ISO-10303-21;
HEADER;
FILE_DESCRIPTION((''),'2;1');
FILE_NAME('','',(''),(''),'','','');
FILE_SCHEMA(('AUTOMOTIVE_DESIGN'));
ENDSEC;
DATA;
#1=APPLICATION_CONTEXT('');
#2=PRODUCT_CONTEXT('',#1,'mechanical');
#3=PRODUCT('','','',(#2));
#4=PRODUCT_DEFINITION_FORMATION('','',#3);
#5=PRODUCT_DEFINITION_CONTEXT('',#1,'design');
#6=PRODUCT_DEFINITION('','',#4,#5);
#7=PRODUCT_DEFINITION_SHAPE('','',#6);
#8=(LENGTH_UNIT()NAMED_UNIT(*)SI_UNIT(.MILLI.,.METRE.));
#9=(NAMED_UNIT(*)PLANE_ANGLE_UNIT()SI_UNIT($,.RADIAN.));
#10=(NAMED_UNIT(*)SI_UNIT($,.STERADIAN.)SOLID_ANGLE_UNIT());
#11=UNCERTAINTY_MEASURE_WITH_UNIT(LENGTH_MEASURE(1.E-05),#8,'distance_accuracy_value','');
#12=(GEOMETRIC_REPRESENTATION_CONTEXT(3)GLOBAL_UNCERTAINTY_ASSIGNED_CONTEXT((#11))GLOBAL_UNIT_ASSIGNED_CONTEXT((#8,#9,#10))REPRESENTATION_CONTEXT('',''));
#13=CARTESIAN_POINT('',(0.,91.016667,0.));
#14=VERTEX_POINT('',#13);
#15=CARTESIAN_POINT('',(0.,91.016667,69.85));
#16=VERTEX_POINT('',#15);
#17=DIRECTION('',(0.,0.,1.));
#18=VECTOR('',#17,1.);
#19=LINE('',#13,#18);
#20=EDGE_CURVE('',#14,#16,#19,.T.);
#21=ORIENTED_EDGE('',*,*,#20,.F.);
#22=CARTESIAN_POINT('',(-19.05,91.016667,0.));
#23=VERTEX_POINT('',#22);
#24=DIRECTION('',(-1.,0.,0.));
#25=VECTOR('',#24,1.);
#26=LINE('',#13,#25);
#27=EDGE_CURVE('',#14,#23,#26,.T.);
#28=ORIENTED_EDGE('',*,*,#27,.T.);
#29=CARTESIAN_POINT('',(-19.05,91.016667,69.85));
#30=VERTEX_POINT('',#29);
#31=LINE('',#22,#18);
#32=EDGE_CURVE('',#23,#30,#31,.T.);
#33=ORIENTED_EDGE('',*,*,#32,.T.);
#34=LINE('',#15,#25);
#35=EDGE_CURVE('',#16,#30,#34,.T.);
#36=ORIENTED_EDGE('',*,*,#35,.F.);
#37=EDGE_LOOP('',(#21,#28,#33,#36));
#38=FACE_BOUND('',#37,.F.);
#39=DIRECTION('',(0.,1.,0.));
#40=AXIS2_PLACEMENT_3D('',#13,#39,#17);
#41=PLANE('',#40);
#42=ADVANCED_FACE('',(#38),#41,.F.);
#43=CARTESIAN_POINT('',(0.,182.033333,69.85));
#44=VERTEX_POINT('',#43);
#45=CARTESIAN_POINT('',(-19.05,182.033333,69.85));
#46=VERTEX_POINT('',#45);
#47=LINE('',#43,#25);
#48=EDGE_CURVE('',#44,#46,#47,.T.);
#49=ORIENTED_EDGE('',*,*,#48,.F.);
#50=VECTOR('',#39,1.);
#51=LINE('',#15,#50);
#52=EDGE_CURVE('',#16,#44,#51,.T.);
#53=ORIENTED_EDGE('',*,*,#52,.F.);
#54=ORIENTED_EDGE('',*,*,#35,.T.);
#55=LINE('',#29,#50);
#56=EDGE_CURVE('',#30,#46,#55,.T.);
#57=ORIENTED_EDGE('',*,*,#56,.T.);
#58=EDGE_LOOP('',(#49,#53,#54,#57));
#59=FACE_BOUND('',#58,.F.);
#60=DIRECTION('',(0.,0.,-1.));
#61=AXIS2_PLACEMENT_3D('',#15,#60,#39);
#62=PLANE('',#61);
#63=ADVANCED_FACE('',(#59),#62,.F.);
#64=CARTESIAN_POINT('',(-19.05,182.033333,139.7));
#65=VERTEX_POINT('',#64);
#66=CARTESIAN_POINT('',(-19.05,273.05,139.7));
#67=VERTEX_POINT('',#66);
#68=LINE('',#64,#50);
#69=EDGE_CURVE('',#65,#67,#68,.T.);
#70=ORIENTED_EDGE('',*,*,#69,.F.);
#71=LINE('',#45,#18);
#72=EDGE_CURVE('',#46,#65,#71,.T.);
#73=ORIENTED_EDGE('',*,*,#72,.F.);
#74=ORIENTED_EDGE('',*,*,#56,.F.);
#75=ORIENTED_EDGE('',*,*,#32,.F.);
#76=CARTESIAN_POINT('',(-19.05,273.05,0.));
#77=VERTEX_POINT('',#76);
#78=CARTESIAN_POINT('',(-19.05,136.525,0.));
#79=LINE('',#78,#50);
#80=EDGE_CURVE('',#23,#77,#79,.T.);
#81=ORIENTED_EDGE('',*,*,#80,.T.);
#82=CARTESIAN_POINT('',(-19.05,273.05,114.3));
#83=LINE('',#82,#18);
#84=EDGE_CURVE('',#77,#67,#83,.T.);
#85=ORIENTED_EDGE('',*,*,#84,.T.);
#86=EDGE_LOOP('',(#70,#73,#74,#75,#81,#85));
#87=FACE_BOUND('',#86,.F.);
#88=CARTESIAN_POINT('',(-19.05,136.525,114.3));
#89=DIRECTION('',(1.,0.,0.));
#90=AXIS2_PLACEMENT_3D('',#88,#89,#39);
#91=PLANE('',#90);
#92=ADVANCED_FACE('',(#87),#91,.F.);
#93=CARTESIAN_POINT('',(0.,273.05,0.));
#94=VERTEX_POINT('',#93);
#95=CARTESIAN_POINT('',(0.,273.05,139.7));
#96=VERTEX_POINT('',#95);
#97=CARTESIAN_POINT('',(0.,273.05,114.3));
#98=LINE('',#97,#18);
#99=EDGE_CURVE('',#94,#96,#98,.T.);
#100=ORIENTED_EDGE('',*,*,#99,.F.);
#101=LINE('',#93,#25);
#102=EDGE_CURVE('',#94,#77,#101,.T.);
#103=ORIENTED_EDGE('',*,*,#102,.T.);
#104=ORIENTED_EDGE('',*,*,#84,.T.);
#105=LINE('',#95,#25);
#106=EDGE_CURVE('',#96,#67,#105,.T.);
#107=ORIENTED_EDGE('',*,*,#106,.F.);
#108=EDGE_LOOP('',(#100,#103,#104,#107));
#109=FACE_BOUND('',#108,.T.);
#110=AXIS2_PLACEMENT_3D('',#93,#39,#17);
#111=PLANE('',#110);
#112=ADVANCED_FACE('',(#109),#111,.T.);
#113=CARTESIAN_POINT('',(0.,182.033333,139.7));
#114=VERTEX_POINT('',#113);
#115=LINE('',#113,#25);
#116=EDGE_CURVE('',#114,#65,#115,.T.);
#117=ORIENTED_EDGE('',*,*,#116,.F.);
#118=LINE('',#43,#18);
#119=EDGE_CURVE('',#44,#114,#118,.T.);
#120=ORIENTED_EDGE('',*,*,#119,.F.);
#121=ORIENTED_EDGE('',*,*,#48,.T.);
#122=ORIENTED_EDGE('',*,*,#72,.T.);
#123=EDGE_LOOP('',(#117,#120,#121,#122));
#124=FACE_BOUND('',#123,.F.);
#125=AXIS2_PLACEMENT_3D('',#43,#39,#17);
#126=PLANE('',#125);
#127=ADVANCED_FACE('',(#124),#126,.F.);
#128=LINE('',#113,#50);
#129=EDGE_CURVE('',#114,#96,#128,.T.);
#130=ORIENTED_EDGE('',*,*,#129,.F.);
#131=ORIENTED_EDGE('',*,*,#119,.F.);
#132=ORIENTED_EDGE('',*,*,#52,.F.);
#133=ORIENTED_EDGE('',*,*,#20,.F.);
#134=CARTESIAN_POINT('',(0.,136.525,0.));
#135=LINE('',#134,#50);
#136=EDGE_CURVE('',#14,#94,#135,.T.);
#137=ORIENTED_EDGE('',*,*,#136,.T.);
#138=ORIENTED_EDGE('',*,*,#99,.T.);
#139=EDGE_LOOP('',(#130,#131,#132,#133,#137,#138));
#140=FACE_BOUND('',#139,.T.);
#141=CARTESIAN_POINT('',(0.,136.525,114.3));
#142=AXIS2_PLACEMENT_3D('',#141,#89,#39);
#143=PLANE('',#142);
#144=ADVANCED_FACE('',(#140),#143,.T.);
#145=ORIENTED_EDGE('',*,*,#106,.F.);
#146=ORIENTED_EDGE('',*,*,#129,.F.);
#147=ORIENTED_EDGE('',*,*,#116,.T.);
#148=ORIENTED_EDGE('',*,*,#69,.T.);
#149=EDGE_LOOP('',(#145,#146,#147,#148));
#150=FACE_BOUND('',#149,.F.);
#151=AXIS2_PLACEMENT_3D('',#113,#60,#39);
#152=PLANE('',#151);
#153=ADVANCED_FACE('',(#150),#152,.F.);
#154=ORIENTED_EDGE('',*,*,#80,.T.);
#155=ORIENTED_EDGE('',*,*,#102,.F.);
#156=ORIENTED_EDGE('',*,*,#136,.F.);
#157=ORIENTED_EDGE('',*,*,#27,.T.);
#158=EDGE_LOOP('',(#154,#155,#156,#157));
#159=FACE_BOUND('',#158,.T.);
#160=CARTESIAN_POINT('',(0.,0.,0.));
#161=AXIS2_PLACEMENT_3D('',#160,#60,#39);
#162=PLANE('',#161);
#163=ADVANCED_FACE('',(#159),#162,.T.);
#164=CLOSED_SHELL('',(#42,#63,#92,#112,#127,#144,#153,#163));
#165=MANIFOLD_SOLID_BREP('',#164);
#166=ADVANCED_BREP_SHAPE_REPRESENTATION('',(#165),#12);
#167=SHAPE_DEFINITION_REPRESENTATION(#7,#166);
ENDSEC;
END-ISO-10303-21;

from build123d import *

# Parameters (mm, degrees)
F0_W     = 273.05
F0_H     = 228.6
F1_DEPTH = 19.05
F3_DEPTH = 19.05


with BuildPart() as f1:
    # F0 (on Right) → F1 (new body)
    with BuildSketch(Plane.YZ):
        with Locations((136.525, 114.3)):
            Rectangle(F0_W, F0_H)
    extrude(amount=-F1_DEPTH)

    # F2 (on face) → F3 (cut, through all)
    with BuildSketch(Plane.YZ):
        Polygon((182.033333, 139.7), (273.05, 139.7), (273.05, 228.6), (0, 228.6), (0, 0), (91.016667, 0), (91.016667, 69.85), (182.033333, 69.85), align=None)
    extrude(amount=-F3_DEPTH, mode=Mode.SUBTRACT)


solid = f1.part
